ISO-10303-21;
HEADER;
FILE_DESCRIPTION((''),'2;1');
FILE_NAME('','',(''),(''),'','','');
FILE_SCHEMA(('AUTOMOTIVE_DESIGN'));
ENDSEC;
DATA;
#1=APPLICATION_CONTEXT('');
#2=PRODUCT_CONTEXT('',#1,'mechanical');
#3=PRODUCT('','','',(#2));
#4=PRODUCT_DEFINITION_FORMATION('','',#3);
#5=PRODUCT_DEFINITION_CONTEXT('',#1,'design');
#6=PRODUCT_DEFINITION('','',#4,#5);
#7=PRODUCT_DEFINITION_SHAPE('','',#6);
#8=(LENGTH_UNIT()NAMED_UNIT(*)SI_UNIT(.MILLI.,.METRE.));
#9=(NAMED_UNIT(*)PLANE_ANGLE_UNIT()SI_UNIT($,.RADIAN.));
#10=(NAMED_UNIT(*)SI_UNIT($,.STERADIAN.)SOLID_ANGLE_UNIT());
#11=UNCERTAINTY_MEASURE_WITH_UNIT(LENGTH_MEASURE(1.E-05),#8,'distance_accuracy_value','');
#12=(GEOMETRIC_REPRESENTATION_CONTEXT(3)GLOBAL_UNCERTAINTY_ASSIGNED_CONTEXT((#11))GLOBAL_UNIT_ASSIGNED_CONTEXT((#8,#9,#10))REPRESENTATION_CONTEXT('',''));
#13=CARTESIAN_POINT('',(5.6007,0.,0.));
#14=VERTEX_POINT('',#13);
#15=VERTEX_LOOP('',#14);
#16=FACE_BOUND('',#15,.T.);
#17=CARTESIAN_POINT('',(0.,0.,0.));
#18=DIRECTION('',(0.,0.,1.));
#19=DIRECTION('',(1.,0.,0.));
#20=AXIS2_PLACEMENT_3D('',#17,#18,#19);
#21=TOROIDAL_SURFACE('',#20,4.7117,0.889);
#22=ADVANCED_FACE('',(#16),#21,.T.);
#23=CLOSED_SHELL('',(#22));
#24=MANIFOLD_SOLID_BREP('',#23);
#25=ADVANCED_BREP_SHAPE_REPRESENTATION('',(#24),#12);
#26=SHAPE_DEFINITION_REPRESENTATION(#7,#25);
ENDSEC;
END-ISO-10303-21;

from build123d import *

# Parameters (mm, degrees)
SKETCH1_R = 0.889


with BuildPart() as part:
    # Sketch1 → Revolve1 (revolve)
    with BuildSketch(Plane(origin=(0, 0, 0), x_dir=(0, -1, 0), z_dir=(1, 0, 0)), mode=Mode.PRIVATE) as revolve1_sk:
        with Locations((4.7117, 0)):
            Circle(SKETCH1_R)
    revolve(revolve1_sk.sketch.rotate(Axis((0, 0, 0.889), (0, 0, -1)), 270), axis=Axis((0, 0, 0.889), (0, 0, -1)))


solid = part.part
